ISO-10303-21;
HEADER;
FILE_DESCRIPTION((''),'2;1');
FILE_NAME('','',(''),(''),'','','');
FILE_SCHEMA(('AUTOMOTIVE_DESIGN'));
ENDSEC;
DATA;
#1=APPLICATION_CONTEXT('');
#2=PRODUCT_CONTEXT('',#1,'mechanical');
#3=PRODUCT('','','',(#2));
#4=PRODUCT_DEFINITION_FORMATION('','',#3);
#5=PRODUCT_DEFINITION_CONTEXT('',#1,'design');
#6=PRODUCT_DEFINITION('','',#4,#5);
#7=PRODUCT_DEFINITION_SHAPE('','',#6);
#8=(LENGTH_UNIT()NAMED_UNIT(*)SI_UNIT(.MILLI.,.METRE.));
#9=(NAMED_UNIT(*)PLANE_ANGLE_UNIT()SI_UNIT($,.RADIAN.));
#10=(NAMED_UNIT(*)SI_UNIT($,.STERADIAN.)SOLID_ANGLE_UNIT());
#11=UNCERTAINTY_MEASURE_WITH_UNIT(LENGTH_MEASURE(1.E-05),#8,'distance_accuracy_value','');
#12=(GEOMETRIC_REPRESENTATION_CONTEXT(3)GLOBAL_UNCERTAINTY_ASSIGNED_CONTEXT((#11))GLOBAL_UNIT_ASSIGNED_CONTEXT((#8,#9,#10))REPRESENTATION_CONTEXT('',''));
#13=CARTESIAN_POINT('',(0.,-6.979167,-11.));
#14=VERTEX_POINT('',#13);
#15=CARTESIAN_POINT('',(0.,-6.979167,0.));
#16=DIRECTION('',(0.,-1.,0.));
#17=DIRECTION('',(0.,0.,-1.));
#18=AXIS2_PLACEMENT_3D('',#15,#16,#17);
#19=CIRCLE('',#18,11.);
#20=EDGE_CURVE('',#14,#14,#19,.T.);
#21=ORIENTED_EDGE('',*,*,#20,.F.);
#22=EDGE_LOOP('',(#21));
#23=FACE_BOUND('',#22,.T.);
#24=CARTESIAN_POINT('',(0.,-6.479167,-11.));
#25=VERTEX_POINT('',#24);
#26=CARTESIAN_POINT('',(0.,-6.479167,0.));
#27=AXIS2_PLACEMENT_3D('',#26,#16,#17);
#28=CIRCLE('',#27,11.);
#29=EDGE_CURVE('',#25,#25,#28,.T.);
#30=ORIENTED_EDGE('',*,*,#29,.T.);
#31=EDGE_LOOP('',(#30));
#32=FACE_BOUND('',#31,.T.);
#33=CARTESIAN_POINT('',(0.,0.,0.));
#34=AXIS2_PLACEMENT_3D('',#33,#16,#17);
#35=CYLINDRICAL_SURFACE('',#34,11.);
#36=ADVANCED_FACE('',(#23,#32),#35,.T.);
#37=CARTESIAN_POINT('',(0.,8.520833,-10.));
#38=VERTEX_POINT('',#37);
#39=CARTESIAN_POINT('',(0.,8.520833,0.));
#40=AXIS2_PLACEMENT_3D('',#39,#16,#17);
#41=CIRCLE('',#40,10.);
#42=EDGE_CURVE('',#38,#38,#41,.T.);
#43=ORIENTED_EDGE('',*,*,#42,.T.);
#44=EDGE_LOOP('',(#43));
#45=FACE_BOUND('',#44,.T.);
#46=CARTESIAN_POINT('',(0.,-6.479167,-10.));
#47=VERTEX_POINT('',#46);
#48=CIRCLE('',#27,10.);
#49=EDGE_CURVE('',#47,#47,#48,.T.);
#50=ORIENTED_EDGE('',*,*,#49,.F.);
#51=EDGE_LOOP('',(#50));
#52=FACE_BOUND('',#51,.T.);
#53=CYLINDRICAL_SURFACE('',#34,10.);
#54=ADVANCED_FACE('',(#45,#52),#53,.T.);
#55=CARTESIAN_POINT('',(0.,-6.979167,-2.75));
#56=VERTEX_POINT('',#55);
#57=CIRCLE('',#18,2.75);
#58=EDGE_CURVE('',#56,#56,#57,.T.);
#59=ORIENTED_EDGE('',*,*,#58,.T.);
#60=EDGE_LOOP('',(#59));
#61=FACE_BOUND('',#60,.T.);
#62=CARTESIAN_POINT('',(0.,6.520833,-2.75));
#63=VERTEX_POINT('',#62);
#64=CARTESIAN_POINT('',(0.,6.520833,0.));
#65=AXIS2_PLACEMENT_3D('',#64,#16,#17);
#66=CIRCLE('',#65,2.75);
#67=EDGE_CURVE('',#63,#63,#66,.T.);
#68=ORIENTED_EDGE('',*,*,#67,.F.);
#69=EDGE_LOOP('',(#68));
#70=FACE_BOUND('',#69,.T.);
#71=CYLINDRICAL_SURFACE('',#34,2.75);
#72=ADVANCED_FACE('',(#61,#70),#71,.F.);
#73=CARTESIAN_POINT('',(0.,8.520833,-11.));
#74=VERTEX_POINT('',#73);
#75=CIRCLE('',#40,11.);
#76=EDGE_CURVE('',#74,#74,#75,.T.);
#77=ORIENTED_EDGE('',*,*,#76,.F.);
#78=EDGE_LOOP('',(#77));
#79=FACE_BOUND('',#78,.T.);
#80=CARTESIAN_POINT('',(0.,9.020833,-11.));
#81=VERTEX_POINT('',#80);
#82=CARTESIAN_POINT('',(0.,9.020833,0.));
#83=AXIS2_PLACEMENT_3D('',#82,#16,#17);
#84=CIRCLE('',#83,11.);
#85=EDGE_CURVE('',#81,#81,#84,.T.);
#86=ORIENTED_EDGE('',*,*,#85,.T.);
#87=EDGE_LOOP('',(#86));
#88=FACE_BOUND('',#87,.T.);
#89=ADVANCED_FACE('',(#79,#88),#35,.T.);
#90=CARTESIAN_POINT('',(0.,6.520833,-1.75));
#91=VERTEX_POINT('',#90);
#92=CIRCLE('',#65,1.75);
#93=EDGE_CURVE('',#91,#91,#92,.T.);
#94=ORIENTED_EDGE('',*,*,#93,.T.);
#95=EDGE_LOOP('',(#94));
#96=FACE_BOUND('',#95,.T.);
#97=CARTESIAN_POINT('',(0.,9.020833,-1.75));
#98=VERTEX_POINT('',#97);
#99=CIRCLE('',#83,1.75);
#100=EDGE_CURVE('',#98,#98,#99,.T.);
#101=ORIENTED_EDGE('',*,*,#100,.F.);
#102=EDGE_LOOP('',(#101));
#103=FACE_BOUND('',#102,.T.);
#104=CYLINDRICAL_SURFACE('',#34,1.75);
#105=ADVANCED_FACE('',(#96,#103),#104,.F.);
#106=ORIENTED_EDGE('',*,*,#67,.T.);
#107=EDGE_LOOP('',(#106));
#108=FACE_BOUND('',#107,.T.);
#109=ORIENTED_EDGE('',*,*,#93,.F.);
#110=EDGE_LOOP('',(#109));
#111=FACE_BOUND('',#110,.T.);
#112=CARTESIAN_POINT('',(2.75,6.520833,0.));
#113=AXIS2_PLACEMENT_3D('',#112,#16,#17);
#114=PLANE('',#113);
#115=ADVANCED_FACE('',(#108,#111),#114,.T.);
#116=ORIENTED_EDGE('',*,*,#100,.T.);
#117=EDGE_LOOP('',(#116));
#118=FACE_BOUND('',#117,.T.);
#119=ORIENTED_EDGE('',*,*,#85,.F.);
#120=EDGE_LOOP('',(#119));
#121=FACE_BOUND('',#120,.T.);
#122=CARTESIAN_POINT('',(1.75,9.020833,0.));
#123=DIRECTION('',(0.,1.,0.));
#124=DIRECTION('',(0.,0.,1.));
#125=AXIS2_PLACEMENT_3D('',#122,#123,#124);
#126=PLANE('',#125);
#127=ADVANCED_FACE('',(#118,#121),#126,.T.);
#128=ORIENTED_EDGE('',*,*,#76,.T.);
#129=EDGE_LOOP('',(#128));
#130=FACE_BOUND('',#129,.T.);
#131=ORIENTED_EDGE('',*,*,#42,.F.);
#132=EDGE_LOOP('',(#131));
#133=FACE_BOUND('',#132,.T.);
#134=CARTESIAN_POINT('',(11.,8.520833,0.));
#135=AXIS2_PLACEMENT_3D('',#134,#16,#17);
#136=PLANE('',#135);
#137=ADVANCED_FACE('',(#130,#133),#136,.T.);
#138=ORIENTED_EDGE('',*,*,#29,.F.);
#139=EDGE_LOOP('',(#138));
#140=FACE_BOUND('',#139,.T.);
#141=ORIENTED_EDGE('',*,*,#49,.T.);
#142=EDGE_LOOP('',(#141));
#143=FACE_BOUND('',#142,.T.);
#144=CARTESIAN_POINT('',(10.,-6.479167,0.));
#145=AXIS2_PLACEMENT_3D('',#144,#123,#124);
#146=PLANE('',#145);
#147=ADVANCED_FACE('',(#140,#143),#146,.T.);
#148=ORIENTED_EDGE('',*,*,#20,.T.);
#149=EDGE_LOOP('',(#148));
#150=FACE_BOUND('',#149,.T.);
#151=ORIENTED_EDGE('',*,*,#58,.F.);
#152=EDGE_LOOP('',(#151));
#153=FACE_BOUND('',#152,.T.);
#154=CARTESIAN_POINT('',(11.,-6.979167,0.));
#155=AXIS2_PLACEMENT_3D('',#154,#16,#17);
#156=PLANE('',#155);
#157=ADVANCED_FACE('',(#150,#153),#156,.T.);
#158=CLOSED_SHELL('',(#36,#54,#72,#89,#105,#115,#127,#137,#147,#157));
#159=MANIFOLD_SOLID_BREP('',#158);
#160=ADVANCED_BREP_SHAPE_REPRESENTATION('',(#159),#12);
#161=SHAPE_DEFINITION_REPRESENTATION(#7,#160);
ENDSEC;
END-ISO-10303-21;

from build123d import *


with BuildPart() as part:
    # Sketch2 → Revolve1 (revolve)
    with BuildSketch(Plane.XY):
        Polygon((1.75, 9.020833333), (11, 9.020833333), (11, 8.520833333), (10, 8.520833333), (10, -6.479166667), (11, -6.479166667), (11, -6.979166667), (2.75, -6.979166667), (2.75, 6.520833333), (1.75, 6.520833333), align=None)
    revolve(axis=Axis((0, 0, 0), (0, 1, 0)))


solid = part.part
